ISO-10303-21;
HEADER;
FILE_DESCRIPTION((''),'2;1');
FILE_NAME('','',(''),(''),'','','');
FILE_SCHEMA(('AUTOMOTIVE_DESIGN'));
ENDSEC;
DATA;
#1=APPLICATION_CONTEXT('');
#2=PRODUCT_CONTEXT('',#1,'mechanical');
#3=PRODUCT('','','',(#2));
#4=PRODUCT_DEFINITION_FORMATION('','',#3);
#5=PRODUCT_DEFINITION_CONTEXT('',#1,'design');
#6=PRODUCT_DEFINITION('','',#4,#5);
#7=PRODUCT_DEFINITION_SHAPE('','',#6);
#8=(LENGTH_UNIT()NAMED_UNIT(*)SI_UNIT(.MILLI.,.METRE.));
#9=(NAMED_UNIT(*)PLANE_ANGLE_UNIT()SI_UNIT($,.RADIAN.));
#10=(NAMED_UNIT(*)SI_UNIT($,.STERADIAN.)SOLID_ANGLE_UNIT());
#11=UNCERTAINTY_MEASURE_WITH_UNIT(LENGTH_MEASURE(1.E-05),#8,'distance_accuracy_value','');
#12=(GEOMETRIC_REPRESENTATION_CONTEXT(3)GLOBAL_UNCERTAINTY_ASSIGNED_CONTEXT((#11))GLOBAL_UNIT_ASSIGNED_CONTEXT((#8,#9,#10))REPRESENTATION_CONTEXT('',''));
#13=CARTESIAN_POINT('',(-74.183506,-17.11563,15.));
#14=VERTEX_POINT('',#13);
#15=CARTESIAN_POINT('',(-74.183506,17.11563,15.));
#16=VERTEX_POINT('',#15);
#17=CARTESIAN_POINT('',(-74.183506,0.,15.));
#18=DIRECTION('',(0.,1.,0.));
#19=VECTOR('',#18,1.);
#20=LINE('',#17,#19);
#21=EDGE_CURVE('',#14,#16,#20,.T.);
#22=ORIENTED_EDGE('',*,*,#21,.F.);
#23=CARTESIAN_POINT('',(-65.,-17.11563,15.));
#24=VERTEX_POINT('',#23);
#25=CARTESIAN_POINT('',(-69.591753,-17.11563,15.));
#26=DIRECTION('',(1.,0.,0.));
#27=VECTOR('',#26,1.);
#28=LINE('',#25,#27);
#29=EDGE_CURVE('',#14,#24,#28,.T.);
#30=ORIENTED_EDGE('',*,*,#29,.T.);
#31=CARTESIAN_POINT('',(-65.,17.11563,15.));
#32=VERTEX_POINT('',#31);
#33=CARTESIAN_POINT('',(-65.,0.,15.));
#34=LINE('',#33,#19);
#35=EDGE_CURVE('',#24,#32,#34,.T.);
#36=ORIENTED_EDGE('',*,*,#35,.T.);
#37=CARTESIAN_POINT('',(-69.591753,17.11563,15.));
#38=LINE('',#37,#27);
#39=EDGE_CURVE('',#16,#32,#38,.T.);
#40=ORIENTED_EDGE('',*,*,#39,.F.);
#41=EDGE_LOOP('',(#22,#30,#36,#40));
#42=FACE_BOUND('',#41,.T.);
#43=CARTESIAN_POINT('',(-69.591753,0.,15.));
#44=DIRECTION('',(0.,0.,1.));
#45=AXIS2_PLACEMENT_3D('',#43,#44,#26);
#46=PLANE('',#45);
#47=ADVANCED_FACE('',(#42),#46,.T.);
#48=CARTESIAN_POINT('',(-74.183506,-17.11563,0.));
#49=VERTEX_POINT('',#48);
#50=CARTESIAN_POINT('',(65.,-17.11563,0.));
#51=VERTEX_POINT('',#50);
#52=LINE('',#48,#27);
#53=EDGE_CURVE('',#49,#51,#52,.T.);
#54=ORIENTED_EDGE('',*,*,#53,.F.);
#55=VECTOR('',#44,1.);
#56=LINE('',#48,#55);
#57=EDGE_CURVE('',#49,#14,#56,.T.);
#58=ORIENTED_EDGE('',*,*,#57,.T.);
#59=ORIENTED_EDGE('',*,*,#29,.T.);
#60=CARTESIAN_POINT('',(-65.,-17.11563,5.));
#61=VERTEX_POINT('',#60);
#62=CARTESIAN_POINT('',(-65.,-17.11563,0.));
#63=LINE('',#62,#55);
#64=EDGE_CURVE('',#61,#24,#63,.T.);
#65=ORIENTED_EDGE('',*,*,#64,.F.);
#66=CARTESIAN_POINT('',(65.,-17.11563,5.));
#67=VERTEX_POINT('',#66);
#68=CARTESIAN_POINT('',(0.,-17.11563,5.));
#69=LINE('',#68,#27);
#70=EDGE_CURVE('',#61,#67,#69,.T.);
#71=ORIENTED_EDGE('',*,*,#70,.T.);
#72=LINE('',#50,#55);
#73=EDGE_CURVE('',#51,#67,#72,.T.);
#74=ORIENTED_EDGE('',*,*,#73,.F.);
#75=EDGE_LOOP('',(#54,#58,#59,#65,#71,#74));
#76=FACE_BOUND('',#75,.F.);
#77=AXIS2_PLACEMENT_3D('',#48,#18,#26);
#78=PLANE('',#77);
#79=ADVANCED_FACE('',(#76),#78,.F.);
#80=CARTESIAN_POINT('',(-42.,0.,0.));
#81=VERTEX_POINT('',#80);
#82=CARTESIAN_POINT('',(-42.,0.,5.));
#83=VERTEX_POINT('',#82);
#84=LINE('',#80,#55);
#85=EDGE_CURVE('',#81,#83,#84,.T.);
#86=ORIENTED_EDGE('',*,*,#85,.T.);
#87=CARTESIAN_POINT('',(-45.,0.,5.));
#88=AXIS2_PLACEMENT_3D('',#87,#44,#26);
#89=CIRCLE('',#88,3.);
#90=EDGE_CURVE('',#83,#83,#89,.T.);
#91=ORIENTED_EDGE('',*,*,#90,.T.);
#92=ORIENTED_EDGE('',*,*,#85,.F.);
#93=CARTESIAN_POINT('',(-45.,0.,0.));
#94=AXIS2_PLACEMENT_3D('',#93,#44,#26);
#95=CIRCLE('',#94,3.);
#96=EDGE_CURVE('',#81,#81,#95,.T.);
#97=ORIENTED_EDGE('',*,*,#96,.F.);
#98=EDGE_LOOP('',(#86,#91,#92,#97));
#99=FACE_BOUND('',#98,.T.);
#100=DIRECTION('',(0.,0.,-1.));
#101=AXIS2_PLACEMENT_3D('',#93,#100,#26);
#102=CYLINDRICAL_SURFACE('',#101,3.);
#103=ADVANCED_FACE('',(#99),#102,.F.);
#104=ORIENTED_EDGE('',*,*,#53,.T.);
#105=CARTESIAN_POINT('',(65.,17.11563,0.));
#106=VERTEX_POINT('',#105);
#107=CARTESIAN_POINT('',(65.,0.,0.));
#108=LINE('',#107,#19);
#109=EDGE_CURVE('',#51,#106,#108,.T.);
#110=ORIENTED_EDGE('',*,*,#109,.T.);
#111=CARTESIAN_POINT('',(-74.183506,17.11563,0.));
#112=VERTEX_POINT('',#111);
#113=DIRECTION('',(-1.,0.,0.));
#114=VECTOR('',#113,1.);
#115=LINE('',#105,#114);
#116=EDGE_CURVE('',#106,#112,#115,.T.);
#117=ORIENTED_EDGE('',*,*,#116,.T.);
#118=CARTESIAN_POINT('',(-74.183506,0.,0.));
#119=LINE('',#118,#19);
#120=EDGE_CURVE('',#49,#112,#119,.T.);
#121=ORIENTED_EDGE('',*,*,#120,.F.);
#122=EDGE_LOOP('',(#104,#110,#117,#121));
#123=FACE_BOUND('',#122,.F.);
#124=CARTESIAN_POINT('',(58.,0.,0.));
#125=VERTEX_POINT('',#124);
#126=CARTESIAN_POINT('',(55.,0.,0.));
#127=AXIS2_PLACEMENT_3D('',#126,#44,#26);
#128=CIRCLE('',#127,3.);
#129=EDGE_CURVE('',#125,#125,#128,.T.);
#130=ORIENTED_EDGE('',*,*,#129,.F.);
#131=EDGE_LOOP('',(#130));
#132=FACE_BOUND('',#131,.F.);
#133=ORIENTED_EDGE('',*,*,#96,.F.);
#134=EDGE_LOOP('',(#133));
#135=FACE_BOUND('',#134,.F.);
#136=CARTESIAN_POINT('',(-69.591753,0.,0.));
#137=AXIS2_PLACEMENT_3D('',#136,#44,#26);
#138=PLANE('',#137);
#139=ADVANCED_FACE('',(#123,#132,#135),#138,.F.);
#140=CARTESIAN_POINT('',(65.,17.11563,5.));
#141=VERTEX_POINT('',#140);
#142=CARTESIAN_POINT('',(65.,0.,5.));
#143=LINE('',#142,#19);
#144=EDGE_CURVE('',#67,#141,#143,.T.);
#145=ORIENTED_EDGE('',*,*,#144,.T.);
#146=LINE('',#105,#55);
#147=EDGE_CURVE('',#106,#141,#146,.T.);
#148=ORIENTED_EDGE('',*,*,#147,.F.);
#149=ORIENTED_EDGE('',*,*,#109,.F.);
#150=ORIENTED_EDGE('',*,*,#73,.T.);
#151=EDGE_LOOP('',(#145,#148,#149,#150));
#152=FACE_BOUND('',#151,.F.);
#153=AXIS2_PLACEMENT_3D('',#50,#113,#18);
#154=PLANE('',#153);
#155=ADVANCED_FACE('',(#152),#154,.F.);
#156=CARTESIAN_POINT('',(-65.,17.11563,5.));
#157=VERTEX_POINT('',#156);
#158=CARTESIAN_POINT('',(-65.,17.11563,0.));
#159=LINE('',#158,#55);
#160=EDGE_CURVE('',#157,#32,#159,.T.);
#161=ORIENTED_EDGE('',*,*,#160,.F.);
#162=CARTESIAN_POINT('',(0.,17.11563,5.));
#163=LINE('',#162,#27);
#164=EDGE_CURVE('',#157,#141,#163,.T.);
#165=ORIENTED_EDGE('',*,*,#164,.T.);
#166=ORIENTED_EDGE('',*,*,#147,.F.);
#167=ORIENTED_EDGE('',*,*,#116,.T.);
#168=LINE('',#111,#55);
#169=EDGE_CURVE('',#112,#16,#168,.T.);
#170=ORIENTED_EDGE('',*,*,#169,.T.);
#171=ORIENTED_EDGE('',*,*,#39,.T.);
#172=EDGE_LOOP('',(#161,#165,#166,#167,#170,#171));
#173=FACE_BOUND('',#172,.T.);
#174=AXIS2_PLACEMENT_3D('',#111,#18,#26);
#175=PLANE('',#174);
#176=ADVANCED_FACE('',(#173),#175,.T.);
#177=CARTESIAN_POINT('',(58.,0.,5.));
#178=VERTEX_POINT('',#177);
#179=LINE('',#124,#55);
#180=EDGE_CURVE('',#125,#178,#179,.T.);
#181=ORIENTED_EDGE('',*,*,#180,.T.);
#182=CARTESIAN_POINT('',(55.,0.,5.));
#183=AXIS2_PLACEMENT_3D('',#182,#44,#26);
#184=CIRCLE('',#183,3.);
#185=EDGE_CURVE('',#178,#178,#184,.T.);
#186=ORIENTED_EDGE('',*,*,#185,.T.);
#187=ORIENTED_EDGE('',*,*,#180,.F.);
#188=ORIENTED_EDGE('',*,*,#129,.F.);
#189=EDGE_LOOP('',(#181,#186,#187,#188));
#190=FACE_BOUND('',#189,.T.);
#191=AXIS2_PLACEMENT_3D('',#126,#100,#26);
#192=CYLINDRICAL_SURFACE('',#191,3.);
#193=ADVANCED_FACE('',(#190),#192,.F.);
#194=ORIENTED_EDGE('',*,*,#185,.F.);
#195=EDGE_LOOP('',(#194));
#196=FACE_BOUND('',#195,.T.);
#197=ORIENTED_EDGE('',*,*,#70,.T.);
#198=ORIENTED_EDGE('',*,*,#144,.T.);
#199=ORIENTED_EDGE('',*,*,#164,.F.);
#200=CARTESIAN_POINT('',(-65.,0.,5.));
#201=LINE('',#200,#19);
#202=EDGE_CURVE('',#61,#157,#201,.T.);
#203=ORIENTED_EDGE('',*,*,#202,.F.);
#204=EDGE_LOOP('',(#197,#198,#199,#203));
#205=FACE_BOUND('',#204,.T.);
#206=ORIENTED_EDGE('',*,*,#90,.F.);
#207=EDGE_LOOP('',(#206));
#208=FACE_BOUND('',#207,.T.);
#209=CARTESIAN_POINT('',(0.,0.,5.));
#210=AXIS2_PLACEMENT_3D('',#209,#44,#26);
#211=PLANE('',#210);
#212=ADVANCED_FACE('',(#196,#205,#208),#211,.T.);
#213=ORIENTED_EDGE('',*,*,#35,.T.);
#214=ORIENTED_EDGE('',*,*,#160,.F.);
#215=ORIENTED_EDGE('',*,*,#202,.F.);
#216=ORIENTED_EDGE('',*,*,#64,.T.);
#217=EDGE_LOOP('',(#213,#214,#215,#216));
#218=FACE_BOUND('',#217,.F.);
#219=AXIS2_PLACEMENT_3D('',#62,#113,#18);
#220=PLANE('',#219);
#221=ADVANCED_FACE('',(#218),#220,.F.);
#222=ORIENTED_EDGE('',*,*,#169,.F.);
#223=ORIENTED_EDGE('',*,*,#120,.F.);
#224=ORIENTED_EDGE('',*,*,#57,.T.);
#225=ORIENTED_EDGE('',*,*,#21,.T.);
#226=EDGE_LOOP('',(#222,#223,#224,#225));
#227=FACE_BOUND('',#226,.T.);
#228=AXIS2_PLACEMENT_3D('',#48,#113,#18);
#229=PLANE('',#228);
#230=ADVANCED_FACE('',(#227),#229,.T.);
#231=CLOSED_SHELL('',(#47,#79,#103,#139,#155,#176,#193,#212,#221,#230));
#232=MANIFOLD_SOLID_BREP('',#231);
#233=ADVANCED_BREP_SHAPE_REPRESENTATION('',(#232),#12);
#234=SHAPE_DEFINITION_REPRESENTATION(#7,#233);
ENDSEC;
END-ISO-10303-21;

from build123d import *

# Parameters (mm, degrees)
F0_W     = 130
F0_H     = 34.23126
F0_R     = 3
F1_DEPTH = 5
F0_W_2   = 9.183506
F2_DEPTH = 15


with BuildPart() as f1:
    # F0 (on Top) → F1 (new body)
    with BuildSketch(Plane.XY):
        Rectangle(F0_W, F0_H)
        with Locations((-45, 0)):
            Circle(F0_R, mode=Mode.SUBTRACT)
        with Locations((55, 0)):
            Circle(F0_R, mode=Mode.SUBTRACT)
    extrude(amount=F1_DEPTH)

    # F0 (on Top) → F2 (join)
    with BuildSketch(Plane.XY):
        with Locations((-69.591753, 0)):
            Rectangle(F0_W_2, F0_H)
    extrude(amount=F2_DEPTH)


solid = f1.part
